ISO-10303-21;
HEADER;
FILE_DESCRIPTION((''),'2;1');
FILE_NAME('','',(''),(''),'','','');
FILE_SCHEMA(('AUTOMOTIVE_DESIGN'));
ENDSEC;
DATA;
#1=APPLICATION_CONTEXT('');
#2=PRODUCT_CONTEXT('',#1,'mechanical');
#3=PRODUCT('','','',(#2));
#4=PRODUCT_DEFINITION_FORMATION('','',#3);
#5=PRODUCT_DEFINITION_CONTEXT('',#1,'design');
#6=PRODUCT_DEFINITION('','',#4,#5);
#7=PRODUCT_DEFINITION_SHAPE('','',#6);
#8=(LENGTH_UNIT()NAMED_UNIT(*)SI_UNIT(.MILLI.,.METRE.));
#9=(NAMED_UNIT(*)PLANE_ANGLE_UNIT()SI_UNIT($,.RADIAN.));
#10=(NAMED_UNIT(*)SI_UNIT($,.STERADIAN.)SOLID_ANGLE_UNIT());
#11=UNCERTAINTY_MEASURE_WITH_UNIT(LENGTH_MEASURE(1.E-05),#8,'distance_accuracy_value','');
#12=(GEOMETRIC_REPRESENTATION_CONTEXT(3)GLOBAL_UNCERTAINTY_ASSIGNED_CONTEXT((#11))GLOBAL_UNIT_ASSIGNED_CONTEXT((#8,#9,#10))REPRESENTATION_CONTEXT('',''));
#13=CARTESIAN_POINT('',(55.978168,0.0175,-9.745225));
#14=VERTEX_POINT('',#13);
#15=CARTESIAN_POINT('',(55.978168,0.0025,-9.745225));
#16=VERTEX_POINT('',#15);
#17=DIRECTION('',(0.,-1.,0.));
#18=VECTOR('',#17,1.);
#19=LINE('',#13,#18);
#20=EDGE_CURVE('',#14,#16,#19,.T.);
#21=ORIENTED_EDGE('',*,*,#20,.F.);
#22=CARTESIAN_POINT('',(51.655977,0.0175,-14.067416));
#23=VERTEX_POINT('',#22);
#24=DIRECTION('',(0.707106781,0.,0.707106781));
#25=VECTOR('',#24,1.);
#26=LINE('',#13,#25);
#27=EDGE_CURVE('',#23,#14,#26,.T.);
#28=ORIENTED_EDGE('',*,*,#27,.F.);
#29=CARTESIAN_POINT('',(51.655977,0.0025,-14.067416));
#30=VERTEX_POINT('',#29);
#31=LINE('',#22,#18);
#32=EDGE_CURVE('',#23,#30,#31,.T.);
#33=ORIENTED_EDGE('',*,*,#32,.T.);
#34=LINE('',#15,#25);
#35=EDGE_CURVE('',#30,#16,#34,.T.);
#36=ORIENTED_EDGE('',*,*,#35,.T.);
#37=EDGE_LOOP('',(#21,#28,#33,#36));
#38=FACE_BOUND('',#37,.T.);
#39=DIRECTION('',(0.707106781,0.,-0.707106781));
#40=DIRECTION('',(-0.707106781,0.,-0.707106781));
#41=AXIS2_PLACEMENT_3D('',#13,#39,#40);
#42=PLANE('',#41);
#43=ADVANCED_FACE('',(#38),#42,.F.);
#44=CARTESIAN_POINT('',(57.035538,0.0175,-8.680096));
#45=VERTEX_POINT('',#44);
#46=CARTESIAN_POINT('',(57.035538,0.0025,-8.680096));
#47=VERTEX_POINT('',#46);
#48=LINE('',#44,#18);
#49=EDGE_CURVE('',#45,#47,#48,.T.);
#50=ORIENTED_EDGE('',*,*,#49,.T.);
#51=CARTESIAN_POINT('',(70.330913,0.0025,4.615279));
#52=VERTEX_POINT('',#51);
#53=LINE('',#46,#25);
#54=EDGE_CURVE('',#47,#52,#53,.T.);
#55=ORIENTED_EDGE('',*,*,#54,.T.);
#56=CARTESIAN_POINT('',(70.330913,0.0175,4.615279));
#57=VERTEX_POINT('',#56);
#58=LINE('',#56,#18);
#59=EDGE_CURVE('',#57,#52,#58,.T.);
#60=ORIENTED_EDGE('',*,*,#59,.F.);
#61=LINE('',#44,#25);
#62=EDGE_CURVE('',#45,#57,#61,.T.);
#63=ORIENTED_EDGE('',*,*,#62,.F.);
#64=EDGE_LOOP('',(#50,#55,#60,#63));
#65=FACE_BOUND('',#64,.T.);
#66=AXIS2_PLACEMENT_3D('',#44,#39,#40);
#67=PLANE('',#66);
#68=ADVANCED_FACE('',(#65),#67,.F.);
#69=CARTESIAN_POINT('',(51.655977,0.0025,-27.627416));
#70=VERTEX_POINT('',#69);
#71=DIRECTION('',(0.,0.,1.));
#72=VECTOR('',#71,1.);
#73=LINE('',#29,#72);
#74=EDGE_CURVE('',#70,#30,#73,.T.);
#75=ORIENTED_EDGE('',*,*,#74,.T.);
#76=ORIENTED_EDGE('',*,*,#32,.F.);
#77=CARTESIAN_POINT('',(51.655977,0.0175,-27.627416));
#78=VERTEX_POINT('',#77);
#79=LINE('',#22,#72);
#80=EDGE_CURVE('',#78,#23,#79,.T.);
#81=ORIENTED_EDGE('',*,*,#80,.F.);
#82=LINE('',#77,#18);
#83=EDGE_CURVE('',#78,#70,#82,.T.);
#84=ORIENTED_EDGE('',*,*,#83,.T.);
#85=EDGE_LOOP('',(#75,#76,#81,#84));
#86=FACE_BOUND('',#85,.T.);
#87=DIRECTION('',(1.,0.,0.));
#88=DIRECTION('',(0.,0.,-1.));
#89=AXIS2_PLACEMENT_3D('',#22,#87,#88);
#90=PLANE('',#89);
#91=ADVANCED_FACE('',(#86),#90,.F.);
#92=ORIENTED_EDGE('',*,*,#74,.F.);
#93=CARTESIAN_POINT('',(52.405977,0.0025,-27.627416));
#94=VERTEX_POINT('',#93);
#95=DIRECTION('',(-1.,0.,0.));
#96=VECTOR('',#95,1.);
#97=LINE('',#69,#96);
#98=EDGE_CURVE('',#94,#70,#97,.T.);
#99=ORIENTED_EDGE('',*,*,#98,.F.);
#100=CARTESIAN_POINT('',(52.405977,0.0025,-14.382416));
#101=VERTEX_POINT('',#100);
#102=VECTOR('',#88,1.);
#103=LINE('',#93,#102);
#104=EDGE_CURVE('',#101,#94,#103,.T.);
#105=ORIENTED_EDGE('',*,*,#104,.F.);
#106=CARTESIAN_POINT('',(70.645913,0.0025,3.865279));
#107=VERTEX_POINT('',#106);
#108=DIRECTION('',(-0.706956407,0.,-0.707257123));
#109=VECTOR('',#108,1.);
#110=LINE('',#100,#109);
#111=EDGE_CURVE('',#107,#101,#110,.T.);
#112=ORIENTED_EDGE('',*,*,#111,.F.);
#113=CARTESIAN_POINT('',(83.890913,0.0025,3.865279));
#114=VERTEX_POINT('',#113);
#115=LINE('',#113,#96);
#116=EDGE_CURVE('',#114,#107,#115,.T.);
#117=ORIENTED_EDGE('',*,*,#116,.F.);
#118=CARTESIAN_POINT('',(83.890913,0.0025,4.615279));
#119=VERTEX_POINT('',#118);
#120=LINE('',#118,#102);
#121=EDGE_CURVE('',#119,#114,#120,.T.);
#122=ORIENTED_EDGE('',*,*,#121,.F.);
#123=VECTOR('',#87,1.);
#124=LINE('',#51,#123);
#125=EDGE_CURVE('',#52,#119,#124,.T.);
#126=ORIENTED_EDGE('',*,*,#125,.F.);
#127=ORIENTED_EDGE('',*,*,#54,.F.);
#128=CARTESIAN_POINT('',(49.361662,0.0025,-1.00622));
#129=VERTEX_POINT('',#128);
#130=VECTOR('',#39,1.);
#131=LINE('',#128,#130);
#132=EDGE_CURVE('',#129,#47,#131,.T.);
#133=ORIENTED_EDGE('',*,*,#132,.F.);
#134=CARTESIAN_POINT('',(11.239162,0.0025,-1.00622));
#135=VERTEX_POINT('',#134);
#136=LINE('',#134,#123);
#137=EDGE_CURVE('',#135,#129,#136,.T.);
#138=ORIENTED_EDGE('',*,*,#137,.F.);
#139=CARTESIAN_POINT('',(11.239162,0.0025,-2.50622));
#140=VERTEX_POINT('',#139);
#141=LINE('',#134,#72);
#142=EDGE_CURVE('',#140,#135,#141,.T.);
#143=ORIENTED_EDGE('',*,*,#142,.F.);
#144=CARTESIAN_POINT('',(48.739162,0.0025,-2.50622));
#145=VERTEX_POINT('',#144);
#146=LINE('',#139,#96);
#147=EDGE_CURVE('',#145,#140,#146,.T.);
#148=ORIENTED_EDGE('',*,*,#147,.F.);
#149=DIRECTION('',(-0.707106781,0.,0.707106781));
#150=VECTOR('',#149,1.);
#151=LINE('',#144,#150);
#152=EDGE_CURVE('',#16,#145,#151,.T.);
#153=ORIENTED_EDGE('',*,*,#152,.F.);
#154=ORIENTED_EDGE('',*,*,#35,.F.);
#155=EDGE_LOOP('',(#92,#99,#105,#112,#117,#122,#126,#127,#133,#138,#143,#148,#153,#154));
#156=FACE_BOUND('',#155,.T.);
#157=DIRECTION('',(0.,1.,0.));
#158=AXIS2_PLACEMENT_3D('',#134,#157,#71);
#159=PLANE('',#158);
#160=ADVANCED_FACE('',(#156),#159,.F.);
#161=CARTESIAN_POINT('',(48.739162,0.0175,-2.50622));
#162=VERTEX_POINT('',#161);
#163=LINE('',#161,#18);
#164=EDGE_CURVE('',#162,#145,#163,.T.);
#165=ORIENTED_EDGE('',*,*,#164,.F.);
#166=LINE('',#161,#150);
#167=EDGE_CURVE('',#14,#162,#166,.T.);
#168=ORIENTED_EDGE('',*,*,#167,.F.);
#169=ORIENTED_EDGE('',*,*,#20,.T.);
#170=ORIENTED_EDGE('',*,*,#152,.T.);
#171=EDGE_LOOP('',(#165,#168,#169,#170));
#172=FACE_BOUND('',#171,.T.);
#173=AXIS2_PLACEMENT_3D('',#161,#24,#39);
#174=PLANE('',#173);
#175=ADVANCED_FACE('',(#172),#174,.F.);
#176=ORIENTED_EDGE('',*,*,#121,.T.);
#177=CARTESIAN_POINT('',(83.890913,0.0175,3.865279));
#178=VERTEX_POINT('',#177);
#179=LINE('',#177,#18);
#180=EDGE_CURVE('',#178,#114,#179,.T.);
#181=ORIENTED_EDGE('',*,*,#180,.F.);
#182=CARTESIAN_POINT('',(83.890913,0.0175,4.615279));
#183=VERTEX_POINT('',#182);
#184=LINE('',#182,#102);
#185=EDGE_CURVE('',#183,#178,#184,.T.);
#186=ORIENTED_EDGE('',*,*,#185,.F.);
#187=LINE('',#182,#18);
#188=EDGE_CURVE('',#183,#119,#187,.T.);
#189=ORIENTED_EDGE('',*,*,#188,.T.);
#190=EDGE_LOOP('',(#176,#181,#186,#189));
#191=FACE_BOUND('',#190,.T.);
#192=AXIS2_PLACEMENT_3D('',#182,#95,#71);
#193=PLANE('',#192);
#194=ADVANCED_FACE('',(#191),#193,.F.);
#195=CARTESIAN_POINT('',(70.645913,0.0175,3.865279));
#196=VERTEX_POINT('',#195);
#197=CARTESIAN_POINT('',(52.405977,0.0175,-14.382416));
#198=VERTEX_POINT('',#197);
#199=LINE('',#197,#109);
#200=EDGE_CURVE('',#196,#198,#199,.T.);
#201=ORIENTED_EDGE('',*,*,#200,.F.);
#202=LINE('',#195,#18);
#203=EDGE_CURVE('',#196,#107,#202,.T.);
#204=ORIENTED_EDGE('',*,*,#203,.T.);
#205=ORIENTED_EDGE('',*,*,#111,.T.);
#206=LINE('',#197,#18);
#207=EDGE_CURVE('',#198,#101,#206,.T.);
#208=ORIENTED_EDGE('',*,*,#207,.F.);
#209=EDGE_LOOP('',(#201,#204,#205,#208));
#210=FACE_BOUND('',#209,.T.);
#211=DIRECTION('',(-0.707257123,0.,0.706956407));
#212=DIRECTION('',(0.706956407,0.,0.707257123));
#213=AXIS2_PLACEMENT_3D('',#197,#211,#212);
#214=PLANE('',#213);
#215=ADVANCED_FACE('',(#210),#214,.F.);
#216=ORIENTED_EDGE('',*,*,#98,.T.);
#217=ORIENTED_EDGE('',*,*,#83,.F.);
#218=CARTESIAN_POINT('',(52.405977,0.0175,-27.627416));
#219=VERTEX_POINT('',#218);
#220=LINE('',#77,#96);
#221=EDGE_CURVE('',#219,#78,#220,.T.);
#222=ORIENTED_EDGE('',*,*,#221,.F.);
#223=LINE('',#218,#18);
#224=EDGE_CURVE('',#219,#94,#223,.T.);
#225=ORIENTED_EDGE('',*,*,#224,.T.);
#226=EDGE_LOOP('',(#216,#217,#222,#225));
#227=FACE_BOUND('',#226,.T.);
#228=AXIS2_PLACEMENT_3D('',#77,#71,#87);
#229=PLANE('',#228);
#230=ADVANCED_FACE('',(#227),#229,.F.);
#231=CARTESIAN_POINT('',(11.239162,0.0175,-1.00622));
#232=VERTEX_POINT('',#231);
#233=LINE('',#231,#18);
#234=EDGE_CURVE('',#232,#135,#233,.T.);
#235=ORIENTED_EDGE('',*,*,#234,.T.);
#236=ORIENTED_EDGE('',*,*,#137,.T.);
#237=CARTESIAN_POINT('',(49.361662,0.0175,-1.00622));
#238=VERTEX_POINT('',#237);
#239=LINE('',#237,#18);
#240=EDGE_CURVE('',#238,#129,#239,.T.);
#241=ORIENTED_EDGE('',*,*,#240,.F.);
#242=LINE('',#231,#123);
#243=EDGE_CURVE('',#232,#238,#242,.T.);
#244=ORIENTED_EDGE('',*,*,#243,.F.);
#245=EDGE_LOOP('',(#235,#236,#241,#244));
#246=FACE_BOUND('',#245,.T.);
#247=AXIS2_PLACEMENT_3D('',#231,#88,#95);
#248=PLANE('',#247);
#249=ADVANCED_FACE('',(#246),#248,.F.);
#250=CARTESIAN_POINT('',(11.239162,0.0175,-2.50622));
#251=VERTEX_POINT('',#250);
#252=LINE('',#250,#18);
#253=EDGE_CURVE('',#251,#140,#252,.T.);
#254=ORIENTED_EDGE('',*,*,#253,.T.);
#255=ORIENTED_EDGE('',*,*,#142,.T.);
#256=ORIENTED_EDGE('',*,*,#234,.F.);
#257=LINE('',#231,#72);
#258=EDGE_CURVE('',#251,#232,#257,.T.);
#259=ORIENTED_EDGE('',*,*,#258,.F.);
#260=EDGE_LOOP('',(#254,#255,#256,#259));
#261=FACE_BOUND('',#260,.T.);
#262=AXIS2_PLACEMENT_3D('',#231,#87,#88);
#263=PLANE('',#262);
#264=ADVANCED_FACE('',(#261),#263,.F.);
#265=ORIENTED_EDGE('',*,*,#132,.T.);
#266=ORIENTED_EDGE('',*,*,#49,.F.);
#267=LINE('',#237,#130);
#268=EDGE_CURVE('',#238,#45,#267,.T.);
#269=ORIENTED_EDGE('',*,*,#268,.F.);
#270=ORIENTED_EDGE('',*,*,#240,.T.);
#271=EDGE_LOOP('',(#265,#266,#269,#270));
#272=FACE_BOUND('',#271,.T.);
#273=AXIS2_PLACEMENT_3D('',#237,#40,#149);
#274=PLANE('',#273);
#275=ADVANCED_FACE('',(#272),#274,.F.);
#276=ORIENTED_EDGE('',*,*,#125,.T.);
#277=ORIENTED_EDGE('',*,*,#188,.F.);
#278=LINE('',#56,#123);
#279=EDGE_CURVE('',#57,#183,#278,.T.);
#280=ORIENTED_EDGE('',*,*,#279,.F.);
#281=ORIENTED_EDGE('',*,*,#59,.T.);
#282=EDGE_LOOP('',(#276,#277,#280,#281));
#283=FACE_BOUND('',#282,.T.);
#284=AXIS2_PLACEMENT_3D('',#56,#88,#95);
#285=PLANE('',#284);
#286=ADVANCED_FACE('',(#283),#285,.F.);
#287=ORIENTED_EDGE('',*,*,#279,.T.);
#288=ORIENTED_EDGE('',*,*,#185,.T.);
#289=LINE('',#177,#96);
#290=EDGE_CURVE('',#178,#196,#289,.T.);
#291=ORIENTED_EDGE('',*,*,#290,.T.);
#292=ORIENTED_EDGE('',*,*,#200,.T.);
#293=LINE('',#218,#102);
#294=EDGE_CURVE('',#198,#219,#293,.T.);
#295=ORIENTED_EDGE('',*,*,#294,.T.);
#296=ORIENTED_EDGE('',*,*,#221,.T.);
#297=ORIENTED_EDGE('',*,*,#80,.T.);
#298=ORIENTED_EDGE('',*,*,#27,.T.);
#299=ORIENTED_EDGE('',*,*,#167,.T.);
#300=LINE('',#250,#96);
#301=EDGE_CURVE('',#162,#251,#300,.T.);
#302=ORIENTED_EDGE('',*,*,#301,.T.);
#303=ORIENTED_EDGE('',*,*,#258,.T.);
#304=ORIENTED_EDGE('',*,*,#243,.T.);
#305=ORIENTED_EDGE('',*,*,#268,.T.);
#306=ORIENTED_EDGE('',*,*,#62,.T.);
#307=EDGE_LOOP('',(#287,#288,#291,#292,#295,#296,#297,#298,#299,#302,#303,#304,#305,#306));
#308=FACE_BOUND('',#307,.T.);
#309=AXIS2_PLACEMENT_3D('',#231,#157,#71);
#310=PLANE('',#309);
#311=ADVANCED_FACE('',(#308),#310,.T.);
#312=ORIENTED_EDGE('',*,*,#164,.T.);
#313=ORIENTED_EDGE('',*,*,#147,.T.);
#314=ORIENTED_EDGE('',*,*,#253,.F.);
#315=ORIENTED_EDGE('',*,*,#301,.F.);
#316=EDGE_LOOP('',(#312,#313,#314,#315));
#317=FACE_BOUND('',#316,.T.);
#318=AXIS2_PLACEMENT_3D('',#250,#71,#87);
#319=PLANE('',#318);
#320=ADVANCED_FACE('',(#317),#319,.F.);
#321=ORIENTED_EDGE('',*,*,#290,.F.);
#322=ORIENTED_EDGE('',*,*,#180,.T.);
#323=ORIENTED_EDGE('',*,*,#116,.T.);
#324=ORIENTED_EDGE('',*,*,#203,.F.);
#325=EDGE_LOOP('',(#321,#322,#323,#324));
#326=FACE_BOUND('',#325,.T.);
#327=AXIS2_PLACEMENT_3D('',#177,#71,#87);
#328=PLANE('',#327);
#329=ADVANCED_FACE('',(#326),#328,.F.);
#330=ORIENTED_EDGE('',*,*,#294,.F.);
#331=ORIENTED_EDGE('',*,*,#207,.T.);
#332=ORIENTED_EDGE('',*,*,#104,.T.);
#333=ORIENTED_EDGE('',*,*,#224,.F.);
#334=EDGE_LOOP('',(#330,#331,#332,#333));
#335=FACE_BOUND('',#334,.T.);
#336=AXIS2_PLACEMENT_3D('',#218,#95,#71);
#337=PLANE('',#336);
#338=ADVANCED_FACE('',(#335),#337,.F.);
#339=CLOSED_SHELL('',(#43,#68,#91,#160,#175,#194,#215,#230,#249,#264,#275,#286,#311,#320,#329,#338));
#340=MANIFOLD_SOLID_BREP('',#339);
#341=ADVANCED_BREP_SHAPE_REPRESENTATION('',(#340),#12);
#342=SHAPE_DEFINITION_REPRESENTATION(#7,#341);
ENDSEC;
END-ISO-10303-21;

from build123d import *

# Parameters (mm, degrees)
BOSS_EXTRUDE1_DEPTH = 0.02
SCALE1_SCALE        = 0.75


with BuildPart() as part:
    # Sketch1 → Boss-Extrude1 (new body)
    with BuildSketch(Plane(origin=(0, 0, 0), x_dir=(1, 0, 0), z_dir=(0, 1, 0))):
        Polygon((0, 0), (0, 2), (50, 2), (59.652007563, 11.652007563), (53.889087297, 17.41492783), (53.889087297, 35.49492783), (54.889087297, 35.49492783), (54.889087297, 17.83492783), (79.209002128, -6.495331881), (96.869002128, -6.495331881), (96.869002128, -7.495331881), (78.789002128, -7.495331881), (61.061835124, 10.231835124), (50.83, 0), align=None)
    extrude(amount=BOSS_EXTRUDE1_DEPTH)


with BuildPart() as part_1:
    # Scale1: scaled about (44.956647526, 0.01, -4.024879093)
    add(part.part.scale(SCALE1_SCALE).moved(Location((11.239161881, 0.0025, -1.006219773))))


solid = part_1.part
